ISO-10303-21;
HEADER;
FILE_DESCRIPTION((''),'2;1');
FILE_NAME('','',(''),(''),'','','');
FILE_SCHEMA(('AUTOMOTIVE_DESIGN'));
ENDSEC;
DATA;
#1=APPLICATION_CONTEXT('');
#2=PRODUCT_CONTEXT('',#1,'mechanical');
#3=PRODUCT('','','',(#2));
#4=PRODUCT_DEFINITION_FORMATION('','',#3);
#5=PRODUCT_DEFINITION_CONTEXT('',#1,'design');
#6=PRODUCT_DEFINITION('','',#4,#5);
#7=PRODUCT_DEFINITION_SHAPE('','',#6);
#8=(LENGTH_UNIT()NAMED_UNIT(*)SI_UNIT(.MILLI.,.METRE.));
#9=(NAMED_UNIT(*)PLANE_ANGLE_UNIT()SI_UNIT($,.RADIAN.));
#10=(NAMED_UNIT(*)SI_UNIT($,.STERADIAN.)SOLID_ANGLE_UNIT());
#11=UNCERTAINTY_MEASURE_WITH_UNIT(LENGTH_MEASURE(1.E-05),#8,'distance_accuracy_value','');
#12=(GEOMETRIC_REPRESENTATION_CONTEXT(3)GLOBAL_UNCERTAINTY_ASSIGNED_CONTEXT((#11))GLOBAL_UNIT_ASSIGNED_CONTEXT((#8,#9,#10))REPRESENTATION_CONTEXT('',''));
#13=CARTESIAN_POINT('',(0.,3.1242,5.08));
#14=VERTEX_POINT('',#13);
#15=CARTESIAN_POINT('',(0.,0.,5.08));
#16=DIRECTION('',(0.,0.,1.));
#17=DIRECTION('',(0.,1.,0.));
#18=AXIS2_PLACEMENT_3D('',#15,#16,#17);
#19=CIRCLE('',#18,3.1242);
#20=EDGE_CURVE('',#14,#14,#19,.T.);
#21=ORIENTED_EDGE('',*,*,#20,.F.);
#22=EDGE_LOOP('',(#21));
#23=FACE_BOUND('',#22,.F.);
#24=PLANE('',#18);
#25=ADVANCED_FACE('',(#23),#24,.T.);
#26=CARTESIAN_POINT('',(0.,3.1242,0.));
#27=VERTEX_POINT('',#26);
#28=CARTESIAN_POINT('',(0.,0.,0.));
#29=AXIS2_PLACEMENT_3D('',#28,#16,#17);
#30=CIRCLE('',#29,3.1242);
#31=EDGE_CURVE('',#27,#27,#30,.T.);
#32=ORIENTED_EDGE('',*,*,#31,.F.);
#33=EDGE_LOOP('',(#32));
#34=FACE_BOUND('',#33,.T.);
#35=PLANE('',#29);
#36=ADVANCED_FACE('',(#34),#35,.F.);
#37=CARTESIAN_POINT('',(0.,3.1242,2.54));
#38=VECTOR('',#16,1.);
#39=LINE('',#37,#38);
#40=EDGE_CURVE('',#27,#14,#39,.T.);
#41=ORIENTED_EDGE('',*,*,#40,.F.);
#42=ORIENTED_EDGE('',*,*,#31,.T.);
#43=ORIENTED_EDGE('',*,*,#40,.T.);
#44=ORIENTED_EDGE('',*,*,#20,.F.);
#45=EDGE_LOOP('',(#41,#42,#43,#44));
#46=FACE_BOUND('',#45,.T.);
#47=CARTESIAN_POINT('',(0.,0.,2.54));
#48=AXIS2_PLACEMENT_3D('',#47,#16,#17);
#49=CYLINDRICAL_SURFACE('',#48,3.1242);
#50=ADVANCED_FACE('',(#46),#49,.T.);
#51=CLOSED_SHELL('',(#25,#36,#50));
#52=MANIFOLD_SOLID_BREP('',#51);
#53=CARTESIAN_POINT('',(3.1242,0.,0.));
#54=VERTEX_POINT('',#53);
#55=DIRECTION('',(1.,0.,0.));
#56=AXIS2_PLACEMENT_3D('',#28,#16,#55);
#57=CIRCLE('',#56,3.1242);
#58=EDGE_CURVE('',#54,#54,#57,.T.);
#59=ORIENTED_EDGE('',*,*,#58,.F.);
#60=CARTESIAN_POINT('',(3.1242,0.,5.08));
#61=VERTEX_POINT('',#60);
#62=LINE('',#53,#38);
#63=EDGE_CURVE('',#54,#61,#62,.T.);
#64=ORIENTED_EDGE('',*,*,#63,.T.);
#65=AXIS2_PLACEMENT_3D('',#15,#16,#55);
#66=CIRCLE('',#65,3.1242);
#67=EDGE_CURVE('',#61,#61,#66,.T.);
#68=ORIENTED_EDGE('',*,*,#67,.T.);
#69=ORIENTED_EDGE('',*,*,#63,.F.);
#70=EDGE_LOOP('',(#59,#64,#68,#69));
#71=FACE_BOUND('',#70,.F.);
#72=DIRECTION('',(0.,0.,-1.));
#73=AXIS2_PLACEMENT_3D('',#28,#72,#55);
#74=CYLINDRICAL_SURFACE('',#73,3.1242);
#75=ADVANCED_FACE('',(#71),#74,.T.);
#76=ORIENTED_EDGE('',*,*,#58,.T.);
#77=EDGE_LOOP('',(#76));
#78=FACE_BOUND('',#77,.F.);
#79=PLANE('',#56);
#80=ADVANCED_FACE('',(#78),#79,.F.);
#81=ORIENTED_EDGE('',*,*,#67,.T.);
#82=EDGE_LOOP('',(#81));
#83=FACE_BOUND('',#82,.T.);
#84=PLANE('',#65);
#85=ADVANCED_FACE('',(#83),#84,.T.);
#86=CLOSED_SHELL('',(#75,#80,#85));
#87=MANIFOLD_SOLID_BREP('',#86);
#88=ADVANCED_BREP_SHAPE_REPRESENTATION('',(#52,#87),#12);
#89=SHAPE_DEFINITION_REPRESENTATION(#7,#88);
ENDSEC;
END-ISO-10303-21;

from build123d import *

# Parameters (mm, degrees)
F0_W     = 3.1242
F0_H     = 5.08
F2_R     = 3.1242
F3_DEPTH = 5.08


with BuildPart() as f1:
    # F0 (on Right) → F1 (revolve)
    with BuildSketch(Plane.YZ):
        with Locations((1.5621, 2.54)):
            Rectangle(F0_W, F0_H)
    revolve(axis=Axis((0, 0, 2.54), (0, 0, 1)))


with BuildPart() as f3:
    # F2 (on Top) → F3 (new body)
    with BuildSketch(Plane.XY):
        Circle(F2_R)
    extrude(amount=F3_DEPTH)


solid = Compound([f1.part, f3.part])
